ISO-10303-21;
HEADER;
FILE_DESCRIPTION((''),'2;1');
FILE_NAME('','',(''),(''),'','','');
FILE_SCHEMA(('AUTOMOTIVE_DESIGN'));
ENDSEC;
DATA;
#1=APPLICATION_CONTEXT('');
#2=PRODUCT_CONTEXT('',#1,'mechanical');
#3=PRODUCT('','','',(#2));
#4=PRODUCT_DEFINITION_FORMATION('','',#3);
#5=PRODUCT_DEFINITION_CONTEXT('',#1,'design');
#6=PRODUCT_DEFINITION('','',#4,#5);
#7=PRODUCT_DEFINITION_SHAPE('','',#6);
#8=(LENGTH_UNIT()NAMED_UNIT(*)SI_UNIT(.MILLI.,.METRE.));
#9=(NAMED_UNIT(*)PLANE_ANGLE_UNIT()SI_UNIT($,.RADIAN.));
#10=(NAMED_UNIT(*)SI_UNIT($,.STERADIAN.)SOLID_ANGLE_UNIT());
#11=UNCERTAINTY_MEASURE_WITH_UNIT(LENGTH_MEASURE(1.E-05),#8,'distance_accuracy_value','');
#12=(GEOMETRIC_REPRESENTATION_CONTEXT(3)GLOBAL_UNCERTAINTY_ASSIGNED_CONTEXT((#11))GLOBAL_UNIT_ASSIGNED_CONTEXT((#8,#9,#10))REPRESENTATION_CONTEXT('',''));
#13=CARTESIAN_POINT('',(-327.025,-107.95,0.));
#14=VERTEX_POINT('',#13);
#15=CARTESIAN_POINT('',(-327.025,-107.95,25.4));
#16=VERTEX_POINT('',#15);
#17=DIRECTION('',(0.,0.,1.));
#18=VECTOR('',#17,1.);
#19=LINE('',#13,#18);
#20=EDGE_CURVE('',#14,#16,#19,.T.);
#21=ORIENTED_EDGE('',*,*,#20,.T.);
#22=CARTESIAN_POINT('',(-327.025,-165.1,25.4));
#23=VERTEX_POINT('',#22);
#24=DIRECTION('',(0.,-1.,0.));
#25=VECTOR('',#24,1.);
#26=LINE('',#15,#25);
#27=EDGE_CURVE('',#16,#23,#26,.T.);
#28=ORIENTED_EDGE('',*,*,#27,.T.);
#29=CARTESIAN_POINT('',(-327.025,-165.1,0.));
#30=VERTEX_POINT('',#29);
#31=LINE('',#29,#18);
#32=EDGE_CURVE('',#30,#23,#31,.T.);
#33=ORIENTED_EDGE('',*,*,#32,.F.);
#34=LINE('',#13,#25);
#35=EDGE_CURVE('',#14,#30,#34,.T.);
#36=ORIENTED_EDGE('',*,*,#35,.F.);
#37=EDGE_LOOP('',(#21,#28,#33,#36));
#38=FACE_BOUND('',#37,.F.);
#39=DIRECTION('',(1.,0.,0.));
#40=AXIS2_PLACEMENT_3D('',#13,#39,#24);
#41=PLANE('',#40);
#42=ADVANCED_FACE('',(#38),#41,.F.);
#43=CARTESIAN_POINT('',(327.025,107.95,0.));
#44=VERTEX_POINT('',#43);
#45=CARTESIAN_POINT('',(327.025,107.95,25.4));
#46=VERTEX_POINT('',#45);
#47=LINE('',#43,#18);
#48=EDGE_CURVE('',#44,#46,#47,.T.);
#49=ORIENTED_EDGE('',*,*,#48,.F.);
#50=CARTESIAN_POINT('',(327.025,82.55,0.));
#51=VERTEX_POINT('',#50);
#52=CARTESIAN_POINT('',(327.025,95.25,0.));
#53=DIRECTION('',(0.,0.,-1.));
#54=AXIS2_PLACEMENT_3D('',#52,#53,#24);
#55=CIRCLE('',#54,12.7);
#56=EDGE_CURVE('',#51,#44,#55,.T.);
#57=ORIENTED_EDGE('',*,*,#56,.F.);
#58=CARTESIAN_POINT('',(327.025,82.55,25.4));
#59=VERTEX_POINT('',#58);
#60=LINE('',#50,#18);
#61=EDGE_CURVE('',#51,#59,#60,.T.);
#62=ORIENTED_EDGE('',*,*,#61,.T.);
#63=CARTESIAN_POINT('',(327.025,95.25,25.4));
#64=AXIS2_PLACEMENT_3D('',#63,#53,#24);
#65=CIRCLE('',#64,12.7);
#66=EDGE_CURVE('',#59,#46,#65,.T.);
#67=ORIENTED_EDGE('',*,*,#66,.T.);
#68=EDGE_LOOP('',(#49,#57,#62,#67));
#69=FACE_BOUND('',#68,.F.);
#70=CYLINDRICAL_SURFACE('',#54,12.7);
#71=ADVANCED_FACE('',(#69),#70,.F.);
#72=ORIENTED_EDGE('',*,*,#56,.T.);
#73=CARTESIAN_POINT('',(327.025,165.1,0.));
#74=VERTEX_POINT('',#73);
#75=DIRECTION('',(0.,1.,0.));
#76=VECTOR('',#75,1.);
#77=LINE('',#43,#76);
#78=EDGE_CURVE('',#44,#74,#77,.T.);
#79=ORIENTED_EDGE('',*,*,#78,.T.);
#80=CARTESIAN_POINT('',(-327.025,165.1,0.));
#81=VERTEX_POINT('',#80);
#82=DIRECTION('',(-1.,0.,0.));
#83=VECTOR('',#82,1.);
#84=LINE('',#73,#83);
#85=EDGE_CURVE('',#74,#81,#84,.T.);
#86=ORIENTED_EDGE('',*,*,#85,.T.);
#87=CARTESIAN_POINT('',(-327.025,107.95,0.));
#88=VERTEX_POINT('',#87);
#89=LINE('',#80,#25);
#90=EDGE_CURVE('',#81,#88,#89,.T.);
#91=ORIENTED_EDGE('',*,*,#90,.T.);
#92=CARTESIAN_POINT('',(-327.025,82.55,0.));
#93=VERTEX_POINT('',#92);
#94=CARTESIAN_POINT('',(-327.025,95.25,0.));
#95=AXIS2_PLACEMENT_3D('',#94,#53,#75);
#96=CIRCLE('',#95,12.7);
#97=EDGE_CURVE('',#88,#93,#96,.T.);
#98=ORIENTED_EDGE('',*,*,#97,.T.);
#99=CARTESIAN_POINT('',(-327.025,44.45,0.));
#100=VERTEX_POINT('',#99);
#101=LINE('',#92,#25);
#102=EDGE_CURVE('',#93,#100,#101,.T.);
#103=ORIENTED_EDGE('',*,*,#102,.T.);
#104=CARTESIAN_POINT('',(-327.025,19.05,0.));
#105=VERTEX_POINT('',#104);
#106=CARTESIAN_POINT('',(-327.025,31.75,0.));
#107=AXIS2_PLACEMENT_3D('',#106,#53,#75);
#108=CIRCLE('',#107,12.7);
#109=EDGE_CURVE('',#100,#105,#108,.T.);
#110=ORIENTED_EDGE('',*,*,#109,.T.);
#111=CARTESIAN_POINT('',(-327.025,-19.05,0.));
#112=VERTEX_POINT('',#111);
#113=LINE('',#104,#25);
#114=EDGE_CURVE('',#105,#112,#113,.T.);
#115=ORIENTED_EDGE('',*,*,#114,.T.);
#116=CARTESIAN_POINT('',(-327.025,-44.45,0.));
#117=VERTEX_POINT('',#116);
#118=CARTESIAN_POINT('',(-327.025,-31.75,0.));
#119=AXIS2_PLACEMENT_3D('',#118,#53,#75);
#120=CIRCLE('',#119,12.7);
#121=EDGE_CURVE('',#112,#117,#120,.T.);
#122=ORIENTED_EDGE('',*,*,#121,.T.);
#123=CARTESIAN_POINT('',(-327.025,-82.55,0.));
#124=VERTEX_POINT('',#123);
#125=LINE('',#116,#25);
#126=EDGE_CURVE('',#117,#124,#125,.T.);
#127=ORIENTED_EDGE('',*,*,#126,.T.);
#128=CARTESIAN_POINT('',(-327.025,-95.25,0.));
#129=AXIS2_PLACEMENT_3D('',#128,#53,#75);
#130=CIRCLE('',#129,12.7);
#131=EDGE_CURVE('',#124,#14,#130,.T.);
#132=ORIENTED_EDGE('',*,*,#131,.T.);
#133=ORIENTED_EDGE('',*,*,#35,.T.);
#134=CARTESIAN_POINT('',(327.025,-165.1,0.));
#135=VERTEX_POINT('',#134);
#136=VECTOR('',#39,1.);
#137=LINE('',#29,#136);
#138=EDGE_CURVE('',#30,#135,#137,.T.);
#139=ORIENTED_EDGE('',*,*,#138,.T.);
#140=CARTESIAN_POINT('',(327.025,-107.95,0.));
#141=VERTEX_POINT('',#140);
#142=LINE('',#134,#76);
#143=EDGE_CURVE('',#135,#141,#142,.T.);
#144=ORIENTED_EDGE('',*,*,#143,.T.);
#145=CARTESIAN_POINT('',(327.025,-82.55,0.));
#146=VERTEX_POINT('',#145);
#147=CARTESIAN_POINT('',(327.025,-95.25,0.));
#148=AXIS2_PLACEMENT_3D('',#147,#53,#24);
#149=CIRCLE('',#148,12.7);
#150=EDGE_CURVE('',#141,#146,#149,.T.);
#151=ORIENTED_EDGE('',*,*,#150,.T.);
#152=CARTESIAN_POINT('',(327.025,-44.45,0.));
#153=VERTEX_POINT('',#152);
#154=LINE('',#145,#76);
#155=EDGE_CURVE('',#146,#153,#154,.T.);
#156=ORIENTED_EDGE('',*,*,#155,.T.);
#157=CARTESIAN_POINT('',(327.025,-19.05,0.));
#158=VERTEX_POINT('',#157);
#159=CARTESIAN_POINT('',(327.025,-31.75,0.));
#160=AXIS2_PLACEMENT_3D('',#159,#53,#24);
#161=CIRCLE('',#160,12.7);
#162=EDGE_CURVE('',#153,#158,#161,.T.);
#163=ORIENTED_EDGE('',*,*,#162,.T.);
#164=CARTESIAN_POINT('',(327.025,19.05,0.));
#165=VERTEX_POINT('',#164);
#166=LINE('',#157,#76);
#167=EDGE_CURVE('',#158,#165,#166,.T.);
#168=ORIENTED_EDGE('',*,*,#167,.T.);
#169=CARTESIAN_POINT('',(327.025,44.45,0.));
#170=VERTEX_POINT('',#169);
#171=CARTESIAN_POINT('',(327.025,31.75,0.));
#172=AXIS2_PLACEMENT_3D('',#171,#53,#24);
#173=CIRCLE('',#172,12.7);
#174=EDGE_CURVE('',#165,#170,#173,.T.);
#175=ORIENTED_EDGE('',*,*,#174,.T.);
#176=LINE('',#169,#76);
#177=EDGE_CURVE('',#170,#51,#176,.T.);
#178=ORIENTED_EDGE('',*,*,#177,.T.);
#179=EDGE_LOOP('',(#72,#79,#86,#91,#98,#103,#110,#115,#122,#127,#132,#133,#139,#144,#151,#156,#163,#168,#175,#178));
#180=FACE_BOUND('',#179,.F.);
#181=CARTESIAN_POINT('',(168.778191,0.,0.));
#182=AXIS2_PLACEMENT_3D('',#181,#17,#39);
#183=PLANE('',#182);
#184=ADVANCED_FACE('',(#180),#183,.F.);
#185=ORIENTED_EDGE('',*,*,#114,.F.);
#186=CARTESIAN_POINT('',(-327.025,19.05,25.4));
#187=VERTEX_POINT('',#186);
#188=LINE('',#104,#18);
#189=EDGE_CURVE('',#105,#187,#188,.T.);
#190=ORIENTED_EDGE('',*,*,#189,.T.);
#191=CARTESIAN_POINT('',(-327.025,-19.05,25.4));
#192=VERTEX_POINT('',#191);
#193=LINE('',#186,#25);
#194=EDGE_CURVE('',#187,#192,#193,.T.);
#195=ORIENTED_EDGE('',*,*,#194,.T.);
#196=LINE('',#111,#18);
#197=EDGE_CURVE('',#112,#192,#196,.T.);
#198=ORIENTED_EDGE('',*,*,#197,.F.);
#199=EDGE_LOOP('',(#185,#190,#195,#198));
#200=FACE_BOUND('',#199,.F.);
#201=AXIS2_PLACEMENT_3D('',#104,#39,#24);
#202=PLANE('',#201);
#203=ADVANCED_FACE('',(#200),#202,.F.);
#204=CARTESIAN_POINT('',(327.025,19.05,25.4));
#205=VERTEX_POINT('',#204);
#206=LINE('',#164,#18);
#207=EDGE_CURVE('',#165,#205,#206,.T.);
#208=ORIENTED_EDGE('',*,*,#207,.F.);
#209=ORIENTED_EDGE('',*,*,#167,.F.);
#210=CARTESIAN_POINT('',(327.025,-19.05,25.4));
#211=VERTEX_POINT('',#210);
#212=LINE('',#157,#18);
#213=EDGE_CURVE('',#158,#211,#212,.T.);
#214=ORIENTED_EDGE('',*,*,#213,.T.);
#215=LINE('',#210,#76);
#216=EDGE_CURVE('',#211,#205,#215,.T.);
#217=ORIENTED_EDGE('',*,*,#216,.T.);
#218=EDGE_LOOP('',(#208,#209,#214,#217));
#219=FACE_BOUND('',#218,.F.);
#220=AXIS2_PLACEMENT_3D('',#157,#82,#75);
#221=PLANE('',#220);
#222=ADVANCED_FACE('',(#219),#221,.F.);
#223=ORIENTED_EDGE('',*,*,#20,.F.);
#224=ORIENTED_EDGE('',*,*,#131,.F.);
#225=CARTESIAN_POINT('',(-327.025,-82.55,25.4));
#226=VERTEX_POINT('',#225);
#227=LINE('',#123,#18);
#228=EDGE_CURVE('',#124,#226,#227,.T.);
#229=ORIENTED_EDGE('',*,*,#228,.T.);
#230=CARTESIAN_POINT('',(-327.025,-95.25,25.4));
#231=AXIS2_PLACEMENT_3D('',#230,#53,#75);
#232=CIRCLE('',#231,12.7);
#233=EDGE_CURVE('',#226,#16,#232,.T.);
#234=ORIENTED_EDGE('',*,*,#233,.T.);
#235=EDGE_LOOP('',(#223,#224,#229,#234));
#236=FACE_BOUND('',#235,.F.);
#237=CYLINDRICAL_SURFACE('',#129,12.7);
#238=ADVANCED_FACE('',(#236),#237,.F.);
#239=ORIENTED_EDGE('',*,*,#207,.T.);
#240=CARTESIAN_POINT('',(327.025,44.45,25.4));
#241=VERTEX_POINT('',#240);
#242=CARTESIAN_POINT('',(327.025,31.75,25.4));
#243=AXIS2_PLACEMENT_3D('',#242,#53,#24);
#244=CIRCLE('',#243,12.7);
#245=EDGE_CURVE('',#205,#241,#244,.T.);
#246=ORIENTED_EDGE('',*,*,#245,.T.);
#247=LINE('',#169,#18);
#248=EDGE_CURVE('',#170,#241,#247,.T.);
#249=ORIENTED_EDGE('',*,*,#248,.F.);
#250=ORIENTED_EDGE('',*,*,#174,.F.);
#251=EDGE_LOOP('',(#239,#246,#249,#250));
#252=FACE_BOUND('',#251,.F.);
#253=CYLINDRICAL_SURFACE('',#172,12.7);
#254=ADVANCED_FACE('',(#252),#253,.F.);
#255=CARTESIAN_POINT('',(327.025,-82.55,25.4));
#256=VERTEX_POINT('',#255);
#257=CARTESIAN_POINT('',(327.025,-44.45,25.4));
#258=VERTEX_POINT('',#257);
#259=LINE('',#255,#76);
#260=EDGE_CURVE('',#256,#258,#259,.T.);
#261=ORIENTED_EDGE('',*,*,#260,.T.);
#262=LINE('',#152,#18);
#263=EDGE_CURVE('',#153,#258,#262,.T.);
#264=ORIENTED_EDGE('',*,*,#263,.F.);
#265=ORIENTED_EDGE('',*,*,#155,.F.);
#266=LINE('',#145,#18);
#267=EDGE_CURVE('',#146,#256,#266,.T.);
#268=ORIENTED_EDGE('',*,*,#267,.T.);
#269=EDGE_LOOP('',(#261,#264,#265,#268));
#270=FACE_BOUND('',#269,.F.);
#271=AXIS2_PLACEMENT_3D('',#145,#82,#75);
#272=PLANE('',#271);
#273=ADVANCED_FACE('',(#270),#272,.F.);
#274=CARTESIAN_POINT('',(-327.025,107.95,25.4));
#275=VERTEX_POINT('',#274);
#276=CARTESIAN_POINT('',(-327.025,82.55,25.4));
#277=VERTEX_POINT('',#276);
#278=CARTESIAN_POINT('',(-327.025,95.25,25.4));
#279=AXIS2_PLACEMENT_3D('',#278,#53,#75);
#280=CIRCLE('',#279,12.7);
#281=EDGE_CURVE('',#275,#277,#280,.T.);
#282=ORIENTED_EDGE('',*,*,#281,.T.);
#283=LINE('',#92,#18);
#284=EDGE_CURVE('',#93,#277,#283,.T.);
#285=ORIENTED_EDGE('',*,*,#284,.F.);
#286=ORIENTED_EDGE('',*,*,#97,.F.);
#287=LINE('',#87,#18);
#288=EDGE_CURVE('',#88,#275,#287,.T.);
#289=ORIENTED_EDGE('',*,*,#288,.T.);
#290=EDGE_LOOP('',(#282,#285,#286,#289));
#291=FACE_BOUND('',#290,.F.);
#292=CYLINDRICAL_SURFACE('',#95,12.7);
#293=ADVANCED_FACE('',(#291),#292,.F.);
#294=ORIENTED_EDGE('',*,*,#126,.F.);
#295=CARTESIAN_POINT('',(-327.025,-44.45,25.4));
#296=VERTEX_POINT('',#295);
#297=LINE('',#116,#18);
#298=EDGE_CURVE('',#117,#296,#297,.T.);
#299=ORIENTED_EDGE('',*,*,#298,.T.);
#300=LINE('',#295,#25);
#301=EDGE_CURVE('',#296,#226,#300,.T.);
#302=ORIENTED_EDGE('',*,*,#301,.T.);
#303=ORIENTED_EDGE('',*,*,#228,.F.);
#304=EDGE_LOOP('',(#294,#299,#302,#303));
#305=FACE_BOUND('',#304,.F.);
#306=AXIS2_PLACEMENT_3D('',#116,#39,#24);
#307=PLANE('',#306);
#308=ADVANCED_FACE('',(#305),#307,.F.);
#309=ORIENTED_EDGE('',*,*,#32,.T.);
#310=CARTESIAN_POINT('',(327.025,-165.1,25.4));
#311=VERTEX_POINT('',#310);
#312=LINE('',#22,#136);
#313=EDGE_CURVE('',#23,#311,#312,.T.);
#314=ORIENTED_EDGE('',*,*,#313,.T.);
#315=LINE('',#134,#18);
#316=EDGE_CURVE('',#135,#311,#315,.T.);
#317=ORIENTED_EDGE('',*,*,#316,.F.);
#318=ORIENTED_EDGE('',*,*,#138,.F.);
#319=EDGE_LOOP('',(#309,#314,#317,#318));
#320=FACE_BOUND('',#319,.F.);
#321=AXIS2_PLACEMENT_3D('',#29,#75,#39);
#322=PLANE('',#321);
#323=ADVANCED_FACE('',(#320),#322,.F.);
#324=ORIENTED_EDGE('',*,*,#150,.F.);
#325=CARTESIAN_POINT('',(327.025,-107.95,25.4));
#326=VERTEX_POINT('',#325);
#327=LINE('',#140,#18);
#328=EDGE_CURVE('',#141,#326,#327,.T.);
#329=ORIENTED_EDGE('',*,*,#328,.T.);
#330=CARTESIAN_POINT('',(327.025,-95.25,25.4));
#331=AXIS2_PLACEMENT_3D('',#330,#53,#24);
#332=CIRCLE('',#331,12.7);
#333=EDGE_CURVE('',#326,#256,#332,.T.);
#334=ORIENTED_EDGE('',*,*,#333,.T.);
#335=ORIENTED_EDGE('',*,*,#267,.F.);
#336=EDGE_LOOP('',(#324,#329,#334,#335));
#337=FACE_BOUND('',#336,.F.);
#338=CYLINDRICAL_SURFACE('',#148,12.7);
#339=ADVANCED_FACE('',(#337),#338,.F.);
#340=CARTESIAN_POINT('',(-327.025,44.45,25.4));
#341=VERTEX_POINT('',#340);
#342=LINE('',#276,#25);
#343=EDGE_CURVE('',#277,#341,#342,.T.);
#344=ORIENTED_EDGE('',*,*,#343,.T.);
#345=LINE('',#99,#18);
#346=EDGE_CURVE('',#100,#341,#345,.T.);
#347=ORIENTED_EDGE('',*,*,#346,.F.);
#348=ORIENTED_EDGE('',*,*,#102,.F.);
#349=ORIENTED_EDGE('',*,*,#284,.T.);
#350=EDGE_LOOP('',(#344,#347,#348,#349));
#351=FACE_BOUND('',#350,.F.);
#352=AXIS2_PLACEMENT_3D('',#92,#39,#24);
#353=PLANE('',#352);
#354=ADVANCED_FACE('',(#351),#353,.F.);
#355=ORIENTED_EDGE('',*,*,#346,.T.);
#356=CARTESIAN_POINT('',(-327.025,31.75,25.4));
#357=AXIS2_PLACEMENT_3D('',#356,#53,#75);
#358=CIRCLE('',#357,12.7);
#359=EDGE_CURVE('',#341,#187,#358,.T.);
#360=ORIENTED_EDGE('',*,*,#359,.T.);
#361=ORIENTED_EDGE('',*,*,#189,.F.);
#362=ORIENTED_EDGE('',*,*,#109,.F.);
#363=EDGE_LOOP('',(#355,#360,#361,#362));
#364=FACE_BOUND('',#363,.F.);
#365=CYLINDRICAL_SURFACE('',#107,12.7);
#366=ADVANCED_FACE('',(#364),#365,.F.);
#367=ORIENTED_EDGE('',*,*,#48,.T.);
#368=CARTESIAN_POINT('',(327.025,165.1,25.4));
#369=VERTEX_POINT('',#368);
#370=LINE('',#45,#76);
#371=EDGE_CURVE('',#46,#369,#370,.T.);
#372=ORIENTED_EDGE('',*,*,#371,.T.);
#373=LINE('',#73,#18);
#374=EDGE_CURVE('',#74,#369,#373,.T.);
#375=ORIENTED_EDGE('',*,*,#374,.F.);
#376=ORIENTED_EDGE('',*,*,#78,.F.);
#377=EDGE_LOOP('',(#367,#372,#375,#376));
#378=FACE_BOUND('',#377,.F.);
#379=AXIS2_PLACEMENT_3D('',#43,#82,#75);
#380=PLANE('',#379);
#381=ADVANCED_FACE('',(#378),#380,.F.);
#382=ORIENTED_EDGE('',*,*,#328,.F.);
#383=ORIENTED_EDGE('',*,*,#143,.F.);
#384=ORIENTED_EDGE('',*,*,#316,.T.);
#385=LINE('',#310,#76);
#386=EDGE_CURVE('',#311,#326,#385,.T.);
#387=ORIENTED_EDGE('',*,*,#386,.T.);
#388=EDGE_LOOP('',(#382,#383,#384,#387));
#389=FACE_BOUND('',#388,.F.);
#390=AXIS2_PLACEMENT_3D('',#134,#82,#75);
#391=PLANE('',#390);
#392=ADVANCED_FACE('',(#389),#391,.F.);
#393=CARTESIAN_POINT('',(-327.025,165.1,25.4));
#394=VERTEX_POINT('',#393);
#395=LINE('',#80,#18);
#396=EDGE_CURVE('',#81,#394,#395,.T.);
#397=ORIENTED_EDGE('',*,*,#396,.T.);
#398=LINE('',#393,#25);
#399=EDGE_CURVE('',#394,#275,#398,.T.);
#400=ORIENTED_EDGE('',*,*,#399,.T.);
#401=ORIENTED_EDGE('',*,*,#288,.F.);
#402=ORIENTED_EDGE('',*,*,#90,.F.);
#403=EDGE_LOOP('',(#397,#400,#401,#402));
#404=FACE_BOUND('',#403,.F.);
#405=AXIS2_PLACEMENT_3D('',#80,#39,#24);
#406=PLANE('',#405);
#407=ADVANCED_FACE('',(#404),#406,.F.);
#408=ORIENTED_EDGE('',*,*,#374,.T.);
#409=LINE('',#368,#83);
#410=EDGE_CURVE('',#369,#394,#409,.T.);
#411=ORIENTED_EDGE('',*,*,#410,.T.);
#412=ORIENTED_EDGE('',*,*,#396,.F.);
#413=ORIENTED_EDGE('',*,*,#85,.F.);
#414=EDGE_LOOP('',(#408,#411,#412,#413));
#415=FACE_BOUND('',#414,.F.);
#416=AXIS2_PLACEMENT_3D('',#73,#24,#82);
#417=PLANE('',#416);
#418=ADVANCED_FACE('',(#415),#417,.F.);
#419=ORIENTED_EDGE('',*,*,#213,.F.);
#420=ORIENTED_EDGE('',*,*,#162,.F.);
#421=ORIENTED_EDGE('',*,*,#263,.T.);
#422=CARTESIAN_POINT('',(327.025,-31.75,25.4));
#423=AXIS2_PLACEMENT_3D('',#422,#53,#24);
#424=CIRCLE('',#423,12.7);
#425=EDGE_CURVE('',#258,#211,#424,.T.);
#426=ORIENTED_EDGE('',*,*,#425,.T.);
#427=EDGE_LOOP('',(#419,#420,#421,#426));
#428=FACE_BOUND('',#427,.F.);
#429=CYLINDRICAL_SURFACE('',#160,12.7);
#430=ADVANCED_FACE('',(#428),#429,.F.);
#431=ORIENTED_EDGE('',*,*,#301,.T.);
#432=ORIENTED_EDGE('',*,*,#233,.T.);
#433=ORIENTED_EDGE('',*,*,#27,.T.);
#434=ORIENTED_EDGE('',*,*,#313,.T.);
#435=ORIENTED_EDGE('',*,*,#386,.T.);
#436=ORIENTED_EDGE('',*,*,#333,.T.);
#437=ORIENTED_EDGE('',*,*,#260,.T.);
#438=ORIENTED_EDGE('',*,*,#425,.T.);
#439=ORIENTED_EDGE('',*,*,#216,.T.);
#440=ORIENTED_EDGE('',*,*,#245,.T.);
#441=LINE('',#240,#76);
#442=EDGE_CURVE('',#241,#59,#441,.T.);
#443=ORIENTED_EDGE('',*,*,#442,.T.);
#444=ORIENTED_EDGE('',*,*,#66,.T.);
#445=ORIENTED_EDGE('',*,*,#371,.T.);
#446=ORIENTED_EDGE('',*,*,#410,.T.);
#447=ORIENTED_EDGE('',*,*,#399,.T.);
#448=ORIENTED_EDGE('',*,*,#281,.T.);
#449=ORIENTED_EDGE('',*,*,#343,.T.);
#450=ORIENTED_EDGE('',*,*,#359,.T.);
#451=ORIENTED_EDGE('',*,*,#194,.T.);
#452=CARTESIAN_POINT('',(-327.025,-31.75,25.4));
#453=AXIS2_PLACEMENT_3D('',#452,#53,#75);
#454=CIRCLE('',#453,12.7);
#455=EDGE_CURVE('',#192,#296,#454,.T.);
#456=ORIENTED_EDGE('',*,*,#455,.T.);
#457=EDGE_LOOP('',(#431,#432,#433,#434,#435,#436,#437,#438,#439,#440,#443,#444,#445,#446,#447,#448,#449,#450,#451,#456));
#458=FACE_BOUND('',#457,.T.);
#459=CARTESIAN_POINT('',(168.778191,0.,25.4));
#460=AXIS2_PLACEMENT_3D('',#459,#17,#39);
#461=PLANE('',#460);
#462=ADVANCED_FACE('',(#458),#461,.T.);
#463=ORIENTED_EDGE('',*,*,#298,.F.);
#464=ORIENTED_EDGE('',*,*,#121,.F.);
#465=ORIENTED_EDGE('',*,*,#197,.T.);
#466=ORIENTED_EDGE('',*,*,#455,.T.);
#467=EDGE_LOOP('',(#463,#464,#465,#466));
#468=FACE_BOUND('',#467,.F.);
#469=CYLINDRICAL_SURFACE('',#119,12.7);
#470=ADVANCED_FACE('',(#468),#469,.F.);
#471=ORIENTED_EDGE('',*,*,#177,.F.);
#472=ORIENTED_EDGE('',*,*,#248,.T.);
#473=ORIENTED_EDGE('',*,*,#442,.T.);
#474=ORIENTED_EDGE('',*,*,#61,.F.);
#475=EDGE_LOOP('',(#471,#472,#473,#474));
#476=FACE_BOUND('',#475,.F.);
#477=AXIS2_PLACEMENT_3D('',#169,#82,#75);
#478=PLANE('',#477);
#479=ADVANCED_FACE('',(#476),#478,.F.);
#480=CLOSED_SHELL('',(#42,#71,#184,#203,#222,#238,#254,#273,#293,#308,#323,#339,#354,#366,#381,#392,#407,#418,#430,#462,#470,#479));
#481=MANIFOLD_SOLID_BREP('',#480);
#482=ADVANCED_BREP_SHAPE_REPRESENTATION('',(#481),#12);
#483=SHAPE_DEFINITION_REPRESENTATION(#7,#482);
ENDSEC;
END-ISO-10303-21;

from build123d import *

# Parameters (mm, degrees)
F1_DEPTH = 25.4


with BuildPart() as f1:
    # F0 (on Top) → F1 (new body)
    with BuildSketch(Plane.XY):
        with BuildLine():
            Line((327.025, 107.95), (327.025, 165.1))
            Line((327.025, 165.1), (0, 165.1))
            Line((0, 165.1), (0, -165.1))
            Line((0, -165.1), (327.025, -165.1))
            Line((327.025, -165.1), (327.025, -107.95))
            ThreePointArc((327.025, -107.95), (314.325, -95.25), (327.025, -82.55))
            Line((327.025, -82.55), (327.025, -44.45))
            ThreePointArc((327.025, -44.45), (314.325, -31.75), (327.025, -19.05))
            Line((327.025, -19.05), (327.025, 19.05))
            ThreePointArc((327.025, 19.05), (314.325, 31.75), (327.025, 44.45))
            Line((327.025, 44.45), (327.025, 82.55))
            ThreePointArc((327.025, 82.55), (314.325, 95.25), (327.025, 107.95))
        make_face()
        with BuildLine():
            Line((0, -165.1), (0, 165.1))
            Line((0, 165.1), (-327.025, 165.1))
            Line((-327.025, 165.1), (-327.025, 107.95))
            ThreePointArc((-327.025, 107.95), (-314.325, 95.25), (-327.025, 82.55))
            Line((-327.025, 82.55), (-327.025, 44.45))
            ThreePointArc((-327.025, 44.45), (-314.325, 31.75), (-327.025, 19.05))
            Line((-327.025, 19.05), (-327.025, -19.05))
            ThreePointArc((-327.025, -19.05), (-314.325, -31.75), (-327.025, -44.45))
            Line((-327.025, -44.45), (-327.025, -82.55))
            ThreePointArc((-327.025, -82.55), (-314.325, -95.25), (-327.025, -107.95))
            Line((-327.025, -107.95), (-327.025, -165.1))
            Line((-327.025, -165.1), (0, -165.1))
        make_face()
    extrude(amount=F1_DEPTH)


solid = f1.part
